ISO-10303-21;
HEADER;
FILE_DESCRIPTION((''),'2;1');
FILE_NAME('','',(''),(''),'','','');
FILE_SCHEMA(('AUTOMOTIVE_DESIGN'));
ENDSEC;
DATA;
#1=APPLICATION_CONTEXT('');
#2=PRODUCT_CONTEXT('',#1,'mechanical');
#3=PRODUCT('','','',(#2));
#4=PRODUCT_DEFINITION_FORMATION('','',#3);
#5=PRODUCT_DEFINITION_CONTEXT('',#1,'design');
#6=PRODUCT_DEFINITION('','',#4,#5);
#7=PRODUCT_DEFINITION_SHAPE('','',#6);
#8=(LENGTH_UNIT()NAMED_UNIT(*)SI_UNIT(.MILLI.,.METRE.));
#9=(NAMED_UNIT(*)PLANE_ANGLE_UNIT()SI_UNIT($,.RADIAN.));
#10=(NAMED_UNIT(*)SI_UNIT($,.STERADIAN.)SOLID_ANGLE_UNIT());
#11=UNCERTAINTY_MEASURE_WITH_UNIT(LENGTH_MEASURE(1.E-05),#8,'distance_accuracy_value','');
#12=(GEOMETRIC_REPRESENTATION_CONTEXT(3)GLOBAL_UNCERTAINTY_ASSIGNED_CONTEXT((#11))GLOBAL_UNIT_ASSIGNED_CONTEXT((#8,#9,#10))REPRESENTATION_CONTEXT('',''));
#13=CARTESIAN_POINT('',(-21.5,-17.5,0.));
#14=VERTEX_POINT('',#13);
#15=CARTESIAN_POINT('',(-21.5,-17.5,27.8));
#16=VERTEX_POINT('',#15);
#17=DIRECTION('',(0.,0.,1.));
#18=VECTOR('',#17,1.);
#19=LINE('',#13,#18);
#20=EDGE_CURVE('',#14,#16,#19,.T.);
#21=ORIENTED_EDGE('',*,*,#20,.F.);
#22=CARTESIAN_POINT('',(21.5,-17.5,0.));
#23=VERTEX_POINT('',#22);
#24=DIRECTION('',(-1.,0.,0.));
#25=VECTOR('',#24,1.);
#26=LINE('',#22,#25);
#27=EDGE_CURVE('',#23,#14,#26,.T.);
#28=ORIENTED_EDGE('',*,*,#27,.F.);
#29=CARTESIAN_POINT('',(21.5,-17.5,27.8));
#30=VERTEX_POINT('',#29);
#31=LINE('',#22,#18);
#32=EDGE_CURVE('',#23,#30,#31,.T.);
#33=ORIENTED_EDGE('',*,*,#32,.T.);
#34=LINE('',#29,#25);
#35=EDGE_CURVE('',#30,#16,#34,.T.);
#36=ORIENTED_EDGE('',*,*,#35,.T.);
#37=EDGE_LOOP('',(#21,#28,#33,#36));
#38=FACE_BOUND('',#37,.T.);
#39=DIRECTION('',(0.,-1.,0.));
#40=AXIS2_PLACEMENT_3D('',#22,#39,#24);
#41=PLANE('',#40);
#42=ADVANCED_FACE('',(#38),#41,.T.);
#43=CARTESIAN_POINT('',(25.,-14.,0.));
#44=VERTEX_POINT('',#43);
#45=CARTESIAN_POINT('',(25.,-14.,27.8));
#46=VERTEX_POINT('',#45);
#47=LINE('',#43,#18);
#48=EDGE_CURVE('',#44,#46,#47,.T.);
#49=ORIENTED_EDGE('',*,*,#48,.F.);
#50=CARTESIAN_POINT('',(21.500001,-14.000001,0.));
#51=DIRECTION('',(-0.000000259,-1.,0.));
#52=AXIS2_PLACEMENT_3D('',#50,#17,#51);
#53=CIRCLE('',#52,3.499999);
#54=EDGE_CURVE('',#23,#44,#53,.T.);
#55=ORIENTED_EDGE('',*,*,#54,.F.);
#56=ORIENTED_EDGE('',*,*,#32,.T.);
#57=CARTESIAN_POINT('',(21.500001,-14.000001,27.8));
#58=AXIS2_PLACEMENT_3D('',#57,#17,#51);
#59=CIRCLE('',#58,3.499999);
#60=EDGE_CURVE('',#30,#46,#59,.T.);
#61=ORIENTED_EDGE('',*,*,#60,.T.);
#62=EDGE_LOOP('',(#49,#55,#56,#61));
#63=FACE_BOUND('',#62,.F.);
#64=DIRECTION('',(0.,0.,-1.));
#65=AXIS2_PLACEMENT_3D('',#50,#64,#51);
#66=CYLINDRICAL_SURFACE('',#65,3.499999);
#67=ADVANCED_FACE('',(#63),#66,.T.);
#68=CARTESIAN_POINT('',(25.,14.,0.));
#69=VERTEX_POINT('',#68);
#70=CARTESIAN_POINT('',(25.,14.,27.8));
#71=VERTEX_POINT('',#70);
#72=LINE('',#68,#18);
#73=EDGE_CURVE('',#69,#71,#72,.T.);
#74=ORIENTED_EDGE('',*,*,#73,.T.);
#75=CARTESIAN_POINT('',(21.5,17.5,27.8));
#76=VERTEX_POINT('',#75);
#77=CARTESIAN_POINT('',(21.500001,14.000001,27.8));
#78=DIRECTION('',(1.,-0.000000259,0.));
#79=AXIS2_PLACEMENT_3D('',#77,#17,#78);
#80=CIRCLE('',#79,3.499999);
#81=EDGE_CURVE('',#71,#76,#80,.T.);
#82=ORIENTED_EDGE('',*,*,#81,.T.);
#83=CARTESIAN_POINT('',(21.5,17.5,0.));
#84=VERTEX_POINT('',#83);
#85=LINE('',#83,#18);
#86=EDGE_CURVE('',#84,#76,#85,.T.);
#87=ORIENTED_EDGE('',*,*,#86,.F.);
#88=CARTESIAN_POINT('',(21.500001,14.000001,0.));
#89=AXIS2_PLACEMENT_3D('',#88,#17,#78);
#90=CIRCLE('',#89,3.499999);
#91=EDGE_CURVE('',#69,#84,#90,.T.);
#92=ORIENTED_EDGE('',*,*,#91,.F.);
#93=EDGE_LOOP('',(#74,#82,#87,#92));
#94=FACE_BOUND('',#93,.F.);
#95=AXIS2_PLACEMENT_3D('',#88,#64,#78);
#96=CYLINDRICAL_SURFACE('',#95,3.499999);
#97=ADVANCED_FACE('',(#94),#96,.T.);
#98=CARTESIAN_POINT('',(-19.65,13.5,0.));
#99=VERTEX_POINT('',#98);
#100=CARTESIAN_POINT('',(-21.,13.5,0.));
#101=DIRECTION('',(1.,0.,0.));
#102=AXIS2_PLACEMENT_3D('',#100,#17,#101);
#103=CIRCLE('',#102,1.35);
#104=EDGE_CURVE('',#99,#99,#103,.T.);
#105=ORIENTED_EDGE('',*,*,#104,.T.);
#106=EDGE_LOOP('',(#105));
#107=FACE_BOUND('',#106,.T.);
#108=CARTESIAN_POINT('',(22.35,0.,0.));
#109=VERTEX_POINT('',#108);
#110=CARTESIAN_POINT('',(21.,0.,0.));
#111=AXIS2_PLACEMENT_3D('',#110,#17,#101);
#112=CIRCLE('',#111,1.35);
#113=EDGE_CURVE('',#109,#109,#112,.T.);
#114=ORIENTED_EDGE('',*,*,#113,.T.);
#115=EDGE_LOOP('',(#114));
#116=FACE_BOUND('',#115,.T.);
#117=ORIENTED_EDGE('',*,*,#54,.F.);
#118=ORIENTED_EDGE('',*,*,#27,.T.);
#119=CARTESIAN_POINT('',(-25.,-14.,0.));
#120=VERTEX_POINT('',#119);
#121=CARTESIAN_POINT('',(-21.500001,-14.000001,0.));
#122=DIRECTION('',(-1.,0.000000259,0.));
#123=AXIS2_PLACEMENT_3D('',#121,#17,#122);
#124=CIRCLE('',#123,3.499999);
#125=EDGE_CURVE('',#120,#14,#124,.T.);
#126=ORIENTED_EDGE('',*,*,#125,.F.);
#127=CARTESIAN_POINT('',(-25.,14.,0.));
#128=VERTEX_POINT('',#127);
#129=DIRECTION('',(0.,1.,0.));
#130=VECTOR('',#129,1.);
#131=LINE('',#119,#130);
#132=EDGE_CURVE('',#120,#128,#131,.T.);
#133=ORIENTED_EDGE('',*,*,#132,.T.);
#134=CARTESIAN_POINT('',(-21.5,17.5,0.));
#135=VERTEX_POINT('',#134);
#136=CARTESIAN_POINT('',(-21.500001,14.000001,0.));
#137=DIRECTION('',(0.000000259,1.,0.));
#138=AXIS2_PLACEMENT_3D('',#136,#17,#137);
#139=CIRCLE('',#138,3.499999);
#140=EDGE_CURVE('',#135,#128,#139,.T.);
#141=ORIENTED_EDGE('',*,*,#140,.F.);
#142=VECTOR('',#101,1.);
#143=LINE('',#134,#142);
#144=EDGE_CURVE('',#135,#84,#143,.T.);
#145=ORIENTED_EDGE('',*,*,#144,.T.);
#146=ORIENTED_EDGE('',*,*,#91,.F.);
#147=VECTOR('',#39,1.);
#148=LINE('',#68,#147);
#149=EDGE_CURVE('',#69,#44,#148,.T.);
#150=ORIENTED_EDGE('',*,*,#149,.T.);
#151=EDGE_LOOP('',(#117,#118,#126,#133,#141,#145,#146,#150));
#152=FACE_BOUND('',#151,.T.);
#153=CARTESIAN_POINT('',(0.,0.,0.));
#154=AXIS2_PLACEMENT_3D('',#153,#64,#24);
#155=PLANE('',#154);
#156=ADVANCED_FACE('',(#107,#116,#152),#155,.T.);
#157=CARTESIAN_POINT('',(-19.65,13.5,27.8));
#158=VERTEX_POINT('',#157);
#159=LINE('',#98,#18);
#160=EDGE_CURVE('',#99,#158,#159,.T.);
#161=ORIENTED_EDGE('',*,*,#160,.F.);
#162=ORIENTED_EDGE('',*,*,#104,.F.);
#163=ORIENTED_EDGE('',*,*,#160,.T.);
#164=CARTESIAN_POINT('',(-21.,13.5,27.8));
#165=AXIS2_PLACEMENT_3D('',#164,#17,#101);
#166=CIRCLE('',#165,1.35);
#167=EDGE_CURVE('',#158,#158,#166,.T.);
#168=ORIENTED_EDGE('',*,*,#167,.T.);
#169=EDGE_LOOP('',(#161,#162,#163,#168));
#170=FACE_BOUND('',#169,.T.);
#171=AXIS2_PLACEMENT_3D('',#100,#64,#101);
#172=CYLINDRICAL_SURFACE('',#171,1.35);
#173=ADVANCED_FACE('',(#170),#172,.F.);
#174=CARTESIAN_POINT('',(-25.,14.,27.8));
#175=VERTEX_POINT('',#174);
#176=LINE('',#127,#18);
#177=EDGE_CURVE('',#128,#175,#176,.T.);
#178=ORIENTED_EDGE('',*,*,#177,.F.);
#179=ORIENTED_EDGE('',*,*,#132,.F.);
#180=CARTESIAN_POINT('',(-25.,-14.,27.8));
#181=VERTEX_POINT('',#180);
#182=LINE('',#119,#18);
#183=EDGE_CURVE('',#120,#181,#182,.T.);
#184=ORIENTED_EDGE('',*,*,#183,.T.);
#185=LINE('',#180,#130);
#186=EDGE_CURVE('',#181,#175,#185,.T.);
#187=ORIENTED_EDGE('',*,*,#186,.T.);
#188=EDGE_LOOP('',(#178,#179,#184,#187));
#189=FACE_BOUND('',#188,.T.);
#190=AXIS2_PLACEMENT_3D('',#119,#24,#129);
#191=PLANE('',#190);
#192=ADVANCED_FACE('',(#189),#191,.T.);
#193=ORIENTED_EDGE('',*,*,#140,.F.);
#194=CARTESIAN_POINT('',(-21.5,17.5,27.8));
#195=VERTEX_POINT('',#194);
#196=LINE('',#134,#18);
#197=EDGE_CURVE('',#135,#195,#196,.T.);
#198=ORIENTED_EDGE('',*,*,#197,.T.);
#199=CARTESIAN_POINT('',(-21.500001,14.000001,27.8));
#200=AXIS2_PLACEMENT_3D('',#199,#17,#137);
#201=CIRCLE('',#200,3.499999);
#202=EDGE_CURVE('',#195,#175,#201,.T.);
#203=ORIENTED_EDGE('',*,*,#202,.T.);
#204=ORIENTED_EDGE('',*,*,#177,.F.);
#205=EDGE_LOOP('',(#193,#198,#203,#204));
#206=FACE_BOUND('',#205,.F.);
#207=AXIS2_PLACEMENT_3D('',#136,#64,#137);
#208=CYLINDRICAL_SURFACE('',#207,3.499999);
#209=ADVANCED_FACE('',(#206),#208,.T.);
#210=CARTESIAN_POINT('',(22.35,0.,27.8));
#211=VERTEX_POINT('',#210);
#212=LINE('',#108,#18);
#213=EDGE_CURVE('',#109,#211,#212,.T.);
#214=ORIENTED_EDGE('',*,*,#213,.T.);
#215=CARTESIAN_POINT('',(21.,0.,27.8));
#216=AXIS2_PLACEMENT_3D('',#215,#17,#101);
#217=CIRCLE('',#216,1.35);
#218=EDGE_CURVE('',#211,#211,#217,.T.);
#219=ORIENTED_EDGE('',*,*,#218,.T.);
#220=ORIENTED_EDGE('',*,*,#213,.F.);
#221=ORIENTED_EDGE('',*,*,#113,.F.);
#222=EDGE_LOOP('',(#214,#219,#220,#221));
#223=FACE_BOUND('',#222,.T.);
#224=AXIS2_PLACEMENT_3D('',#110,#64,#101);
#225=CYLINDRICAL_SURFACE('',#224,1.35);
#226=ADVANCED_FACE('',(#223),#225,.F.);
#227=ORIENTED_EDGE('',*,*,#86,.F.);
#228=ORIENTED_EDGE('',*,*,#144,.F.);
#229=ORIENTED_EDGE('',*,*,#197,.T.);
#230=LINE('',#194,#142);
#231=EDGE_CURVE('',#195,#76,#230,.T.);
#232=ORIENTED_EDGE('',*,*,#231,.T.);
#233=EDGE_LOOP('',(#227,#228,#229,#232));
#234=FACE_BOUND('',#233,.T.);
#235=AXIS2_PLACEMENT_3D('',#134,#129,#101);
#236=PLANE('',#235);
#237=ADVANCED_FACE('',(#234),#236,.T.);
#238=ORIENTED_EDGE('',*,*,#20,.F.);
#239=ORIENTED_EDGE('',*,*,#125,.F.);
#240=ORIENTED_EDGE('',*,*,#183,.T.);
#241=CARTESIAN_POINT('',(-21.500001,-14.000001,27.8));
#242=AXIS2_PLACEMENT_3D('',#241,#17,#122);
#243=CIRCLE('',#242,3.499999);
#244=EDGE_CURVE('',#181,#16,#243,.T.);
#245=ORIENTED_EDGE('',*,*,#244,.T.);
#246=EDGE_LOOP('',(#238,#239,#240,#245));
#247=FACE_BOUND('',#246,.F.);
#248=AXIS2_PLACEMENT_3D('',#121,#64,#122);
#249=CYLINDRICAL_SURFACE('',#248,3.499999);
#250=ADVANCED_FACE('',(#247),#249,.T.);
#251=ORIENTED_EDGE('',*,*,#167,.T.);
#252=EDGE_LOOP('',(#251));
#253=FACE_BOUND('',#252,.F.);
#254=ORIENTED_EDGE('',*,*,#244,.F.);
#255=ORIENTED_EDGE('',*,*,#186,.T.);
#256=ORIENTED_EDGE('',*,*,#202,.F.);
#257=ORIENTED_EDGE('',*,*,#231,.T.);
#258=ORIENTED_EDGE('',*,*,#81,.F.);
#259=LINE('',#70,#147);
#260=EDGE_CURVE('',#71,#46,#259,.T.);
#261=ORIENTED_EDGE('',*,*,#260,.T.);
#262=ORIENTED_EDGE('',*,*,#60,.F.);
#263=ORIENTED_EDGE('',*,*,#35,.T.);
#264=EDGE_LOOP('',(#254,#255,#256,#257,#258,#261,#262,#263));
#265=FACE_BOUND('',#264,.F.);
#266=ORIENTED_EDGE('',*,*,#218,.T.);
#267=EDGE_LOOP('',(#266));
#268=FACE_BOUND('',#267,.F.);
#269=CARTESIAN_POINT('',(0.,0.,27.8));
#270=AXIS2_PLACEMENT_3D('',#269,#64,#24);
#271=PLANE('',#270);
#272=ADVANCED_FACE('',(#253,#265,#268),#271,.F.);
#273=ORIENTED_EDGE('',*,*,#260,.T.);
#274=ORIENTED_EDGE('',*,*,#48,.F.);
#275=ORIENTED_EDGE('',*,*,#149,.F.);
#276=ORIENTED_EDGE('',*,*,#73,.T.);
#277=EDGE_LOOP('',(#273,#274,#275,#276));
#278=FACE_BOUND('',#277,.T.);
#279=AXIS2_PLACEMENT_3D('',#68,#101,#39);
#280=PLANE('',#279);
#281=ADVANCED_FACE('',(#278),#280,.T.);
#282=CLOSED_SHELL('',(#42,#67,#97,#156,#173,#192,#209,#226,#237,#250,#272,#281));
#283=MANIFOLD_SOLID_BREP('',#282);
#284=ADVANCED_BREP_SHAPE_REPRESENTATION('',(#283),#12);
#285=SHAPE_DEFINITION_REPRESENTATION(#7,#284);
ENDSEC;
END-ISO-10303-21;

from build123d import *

# Parameters (mm, degrees)
SKETCH_R  = 1.35
PAD_DEPTH = 27.8


with BuildPart() as part:
    # Sketch → Pad (new body)
    with BuildSketch(Plane.XY):
        with BuildLine():
            Line((-21.5, 17.5), (21.5, 17.5))
            ThreePointArc((25, 14), (23.974874, 16.474874), (21.5, 17.5))
            Line((25, 14), (25, -14))
            ThreePointArc((21.5, -17.5), (23.974874, -16.474874), (25, -14))
            Line((21.5, -17.5), (-21.5, -17.5))
            ThreePointArc((-25, -14), (-23.974874, -16.474874), (-21.5, -17.5))
            Line((-25, -14), (-25, 14))
            ThreePointArc((-21.5, 17.5), (-23.974874, 16.474874), (-25, 14))
        make_face()
        with Locations((21, 0)):
            Circle(SKETCH_R, mode=Mode.SUBTRACT)
        with Locations((-21, 13.5)):
            Circle(SKETCH_R, mode=Mode.SUBTRACT)
    extrude(amount=PAD_DEPTH)


solid = part.part
